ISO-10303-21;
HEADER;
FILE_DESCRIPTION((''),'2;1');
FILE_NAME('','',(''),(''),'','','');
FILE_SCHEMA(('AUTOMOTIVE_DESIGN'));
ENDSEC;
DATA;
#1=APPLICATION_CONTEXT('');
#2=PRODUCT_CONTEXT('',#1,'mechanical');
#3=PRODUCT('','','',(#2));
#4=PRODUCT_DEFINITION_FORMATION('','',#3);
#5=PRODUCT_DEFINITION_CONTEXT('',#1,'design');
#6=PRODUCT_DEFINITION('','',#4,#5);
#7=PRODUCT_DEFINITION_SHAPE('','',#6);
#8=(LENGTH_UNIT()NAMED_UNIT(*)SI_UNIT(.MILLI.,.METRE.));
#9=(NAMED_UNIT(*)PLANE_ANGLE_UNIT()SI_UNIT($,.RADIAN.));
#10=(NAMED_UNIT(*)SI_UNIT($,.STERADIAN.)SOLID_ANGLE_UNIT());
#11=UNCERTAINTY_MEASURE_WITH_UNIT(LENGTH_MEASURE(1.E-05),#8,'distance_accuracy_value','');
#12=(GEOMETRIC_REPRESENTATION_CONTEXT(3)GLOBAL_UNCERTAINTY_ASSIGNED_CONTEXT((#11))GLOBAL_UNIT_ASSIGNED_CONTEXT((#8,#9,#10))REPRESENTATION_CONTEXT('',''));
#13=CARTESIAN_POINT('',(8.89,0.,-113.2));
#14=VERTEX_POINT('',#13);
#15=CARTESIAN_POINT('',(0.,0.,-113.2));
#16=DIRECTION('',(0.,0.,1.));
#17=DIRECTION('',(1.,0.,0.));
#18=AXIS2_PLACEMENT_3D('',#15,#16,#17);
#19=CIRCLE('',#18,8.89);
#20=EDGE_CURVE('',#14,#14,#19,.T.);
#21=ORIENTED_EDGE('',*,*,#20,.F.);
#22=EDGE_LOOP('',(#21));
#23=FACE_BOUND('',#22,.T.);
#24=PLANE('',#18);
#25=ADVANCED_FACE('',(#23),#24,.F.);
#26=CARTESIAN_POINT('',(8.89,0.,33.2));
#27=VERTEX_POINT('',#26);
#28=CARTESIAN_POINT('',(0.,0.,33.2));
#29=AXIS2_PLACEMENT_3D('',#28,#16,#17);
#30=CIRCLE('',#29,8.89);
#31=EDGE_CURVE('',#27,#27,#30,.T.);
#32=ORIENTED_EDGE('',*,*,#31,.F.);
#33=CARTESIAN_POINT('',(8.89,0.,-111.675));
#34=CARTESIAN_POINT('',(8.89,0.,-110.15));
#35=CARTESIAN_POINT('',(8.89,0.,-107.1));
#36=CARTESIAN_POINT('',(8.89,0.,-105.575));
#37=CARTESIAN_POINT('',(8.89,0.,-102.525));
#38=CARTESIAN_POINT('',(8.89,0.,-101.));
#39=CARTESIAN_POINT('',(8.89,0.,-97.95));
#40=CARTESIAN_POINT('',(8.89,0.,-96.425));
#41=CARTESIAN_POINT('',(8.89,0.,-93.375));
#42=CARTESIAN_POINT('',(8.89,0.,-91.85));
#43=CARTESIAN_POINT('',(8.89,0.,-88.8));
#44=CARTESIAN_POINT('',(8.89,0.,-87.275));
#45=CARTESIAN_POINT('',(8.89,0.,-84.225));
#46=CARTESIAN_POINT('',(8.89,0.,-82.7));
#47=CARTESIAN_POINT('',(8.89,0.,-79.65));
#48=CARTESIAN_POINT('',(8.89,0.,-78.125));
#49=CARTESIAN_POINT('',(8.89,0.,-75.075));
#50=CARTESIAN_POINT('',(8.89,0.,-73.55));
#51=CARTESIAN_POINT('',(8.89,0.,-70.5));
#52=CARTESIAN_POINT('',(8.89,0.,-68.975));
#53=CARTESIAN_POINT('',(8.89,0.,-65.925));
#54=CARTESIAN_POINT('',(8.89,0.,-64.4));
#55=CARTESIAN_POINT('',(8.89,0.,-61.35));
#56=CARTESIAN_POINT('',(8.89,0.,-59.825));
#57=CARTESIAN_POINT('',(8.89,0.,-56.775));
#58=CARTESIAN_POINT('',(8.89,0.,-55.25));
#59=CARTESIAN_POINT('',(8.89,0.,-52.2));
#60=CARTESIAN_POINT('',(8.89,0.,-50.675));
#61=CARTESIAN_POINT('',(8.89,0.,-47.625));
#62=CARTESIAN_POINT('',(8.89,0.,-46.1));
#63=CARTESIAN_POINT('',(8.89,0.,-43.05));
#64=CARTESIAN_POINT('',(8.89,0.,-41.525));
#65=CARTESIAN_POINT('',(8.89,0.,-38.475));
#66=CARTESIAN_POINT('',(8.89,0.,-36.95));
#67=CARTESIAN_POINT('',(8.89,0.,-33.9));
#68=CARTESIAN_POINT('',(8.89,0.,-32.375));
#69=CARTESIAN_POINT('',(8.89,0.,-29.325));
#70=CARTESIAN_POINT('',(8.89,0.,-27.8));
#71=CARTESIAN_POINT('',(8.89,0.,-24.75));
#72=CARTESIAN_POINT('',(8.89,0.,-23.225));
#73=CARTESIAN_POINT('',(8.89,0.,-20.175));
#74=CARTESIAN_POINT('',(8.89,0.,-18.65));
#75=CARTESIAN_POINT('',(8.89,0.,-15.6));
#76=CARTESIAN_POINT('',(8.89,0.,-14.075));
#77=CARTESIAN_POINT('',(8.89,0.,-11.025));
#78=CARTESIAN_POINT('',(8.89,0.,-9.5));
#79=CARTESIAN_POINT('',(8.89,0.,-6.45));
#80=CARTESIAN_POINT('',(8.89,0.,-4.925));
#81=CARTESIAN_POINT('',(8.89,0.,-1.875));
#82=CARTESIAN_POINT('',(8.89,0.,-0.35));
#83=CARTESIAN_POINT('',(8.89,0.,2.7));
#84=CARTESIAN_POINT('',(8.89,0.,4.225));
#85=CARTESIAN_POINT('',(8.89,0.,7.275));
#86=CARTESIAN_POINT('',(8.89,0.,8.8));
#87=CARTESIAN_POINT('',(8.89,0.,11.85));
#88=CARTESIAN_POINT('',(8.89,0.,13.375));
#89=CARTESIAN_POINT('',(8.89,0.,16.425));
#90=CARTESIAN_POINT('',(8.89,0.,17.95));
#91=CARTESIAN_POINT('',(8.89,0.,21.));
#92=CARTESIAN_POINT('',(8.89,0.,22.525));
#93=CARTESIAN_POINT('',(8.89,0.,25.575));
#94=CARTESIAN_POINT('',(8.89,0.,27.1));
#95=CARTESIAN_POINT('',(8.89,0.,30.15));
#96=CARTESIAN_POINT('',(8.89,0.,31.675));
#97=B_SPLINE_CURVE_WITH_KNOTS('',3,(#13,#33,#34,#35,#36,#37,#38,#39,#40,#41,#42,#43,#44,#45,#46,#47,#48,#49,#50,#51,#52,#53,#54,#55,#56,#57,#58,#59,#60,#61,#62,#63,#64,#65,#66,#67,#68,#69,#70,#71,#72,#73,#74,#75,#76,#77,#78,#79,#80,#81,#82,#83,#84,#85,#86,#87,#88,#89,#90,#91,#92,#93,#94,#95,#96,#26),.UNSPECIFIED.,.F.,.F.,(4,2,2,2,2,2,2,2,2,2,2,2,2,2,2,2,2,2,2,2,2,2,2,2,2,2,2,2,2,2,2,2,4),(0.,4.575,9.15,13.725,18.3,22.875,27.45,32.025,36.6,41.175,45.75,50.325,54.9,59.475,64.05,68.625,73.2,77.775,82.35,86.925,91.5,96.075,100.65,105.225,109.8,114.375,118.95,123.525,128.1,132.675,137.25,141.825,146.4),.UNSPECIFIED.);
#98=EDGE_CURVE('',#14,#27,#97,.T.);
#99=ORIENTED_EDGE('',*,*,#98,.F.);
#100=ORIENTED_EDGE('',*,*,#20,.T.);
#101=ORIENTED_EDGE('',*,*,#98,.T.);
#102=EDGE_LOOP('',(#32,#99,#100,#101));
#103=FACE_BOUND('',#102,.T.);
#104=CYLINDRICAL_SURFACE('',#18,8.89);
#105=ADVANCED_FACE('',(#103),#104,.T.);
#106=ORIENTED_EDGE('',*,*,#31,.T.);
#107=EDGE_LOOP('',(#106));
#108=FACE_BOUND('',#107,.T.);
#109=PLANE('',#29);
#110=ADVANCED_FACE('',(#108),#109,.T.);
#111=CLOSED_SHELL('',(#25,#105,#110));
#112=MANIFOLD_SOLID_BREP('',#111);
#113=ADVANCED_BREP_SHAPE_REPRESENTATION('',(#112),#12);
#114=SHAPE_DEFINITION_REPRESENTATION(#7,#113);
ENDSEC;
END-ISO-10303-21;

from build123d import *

# Parameters (mm, degrees)
BOSS_EXTRUDE1_DEPTH      = 33.2
BOSS_EXTRUDE1_DEPTH_BACK = 113.2
SKETCH1_R                = 8.89


with BuildPart() as part:
    # Sketch1 → Boss-Extrude1 (new, two sides: drawn at the far end of the back side and taken through both)
    with BuildSketch(Plane.XY.offset(-BOSS_EXTRUDE1_DEPTH_BACK)):
        Circle(SKETCH1_R)
    extrude(amount=BOSS_EXTRUDE1_DEPTH + BOSS_EXTRUDE1_DEPTH_BACK)


solid = part.part
